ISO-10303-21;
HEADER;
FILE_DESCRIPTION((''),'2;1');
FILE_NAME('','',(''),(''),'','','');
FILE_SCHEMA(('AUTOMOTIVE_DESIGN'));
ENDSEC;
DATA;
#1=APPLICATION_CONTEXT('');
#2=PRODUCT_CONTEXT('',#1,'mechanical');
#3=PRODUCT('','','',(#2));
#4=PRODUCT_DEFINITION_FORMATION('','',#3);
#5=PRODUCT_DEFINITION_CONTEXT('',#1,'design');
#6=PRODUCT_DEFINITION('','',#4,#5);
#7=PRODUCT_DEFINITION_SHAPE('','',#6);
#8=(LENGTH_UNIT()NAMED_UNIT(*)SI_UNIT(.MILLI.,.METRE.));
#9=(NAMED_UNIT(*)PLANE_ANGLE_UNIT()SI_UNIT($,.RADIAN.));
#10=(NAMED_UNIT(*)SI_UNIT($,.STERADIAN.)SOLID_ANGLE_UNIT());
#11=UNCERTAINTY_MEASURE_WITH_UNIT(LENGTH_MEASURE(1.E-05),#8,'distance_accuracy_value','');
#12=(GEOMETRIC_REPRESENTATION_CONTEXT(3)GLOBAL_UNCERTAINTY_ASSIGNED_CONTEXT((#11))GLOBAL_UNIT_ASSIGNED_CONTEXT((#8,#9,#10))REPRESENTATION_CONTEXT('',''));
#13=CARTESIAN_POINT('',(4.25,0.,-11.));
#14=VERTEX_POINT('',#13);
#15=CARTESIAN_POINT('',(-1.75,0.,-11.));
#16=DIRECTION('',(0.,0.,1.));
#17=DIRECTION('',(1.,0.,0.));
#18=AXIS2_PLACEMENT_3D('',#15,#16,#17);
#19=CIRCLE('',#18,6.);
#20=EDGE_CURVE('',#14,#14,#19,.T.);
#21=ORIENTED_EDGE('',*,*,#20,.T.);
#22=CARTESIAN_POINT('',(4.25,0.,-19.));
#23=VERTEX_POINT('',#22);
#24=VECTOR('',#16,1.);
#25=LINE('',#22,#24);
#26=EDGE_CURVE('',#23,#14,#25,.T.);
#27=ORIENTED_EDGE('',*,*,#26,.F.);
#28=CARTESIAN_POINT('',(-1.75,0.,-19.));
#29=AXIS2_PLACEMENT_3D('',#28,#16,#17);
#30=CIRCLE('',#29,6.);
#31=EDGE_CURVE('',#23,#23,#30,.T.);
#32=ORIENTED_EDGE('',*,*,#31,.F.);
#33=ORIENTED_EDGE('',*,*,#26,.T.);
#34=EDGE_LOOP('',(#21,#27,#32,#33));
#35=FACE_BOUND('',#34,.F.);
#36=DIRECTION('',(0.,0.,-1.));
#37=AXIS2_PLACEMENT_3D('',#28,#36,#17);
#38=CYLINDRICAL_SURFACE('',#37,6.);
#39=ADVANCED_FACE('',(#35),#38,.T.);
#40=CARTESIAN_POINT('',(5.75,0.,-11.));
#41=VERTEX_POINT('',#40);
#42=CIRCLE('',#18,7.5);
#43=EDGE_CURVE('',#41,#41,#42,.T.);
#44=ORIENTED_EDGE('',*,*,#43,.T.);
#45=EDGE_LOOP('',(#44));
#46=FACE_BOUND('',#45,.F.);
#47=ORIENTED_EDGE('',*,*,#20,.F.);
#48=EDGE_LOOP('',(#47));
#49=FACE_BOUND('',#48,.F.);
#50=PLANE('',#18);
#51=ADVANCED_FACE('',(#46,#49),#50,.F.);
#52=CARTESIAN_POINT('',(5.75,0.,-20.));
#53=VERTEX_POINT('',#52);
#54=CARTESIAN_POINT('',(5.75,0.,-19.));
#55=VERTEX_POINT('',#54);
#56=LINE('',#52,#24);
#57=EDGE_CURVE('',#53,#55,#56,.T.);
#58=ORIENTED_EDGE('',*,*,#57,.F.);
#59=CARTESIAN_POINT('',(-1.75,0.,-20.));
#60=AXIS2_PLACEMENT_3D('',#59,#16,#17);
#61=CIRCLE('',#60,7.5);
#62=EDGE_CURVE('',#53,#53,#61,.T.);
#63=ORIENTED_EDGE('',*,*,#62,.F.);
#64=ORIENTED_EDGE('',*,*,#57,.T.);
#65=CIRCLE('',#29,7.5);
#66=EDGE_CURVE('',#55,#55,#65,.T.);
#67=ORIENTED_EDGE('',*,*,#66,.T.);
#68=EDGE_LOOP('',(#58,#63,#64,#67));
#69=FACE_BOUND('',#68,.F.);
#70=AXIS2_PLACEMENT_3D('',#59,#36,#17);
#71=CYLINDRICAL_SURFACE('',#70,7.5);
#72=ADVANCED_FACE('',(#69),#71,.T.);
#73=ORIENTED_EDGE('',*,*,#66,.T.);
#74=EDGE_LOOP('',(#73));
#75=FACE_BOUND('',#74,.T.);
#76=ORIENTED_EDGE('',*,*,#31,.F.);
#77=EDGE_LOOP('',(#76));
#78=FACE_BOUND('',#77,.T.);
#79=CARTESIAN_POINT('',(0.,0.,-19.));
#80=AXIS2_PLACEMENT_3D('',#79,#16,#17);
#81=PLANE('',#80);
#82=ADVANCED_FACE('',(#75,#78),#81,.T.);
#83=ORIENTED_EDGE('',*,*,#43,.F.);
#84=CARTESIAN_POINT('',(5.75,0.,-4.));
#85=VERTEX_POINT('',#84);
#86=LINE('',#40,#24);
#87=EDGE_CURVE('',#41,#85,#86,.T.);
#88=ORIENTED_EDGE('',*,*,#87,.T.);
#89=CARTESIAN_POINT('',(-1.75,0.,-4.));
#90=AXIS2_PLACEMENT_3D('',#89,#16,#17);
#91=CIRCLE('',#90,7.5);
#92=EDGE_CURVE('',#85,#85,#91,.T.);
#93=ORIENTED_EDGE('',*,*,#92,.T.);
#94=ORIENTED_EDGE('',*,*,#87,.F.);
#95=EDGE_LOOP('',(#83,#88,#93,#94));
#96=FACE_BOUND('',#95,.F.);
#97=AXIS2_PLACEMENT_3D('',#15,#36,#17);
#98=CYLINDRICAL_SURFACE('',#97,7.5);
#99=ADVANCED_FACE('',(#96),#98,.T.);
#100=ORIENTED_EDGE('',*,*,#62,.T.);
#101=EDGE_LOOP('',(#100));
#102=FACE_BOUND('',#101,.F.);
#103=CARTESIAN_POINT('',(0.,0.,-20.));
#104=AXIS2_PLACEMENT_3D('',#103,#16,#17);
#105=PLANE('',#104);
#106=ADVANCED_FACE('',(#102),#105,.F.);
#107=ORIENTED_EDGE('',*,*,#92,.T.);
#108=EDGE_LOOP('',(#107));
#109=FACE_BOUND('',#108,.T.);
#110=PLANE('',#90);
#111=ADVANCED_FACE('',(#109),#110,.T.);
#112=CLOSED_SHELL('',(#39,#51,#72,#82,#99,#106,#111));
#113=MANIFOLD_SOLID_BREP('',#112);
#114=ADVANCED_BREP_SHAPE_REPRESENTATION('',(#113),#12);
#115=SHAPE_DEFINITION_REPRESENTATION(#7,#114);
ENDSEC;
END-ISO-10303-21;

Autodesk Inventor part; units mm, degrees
ref_plane "YZ Plane" through (0, 0, 0) normal (1, 0, 0) x (0, 1, 0)
ref_plane "XZ Plane" through (0, 0, 0) normal (0, 1, 0) x (-1, 0, 0)
ref_plane "Work Plane1" through (0, 0, -20) normal (0, 0, 1) x (1, 0, 0)
sketch "Sketch1" plane through (0, 0, -20) normal (0, 0, 1) x (1, 0, 0)
  circle A0 centre (-1.75, 0) radius 15.5 projected
  circle A1 centre (-1.75, 0) radius 7.5
  point P0 (0, 0)
  dimension "d1" = 15
extrude "Extrusion1" add sketch "Sketch1" along normal blind 1 contours A1
sketch "Sketch2" plane through (-1.75, 0, -19) normal (0, 0, 1) x (1, 0, 0)
  circle A0 centre (0, 0) radius 7.5 projected
  circle A1 centre (0, 0) radius 6
  point P0 (1.75, 0)
  dimension "d4" = 12
extrude "Extrusion2" add sketch "Sketch2" along normal blind 8 contours A1
sketch "Sketch3" plane through (-1.75, 0, -11) normal (0, 0, 1) x (1, 0, 0)
  circle A0 centre (0, 0) radius 7.5 projected
  circle A1 centre (0, 0) radius 7.5
  point P0 (1.75, 0)
extrude "Extrusion3" add sketch "Sketch3" along normal blind 7
properties part number "small pulley"
